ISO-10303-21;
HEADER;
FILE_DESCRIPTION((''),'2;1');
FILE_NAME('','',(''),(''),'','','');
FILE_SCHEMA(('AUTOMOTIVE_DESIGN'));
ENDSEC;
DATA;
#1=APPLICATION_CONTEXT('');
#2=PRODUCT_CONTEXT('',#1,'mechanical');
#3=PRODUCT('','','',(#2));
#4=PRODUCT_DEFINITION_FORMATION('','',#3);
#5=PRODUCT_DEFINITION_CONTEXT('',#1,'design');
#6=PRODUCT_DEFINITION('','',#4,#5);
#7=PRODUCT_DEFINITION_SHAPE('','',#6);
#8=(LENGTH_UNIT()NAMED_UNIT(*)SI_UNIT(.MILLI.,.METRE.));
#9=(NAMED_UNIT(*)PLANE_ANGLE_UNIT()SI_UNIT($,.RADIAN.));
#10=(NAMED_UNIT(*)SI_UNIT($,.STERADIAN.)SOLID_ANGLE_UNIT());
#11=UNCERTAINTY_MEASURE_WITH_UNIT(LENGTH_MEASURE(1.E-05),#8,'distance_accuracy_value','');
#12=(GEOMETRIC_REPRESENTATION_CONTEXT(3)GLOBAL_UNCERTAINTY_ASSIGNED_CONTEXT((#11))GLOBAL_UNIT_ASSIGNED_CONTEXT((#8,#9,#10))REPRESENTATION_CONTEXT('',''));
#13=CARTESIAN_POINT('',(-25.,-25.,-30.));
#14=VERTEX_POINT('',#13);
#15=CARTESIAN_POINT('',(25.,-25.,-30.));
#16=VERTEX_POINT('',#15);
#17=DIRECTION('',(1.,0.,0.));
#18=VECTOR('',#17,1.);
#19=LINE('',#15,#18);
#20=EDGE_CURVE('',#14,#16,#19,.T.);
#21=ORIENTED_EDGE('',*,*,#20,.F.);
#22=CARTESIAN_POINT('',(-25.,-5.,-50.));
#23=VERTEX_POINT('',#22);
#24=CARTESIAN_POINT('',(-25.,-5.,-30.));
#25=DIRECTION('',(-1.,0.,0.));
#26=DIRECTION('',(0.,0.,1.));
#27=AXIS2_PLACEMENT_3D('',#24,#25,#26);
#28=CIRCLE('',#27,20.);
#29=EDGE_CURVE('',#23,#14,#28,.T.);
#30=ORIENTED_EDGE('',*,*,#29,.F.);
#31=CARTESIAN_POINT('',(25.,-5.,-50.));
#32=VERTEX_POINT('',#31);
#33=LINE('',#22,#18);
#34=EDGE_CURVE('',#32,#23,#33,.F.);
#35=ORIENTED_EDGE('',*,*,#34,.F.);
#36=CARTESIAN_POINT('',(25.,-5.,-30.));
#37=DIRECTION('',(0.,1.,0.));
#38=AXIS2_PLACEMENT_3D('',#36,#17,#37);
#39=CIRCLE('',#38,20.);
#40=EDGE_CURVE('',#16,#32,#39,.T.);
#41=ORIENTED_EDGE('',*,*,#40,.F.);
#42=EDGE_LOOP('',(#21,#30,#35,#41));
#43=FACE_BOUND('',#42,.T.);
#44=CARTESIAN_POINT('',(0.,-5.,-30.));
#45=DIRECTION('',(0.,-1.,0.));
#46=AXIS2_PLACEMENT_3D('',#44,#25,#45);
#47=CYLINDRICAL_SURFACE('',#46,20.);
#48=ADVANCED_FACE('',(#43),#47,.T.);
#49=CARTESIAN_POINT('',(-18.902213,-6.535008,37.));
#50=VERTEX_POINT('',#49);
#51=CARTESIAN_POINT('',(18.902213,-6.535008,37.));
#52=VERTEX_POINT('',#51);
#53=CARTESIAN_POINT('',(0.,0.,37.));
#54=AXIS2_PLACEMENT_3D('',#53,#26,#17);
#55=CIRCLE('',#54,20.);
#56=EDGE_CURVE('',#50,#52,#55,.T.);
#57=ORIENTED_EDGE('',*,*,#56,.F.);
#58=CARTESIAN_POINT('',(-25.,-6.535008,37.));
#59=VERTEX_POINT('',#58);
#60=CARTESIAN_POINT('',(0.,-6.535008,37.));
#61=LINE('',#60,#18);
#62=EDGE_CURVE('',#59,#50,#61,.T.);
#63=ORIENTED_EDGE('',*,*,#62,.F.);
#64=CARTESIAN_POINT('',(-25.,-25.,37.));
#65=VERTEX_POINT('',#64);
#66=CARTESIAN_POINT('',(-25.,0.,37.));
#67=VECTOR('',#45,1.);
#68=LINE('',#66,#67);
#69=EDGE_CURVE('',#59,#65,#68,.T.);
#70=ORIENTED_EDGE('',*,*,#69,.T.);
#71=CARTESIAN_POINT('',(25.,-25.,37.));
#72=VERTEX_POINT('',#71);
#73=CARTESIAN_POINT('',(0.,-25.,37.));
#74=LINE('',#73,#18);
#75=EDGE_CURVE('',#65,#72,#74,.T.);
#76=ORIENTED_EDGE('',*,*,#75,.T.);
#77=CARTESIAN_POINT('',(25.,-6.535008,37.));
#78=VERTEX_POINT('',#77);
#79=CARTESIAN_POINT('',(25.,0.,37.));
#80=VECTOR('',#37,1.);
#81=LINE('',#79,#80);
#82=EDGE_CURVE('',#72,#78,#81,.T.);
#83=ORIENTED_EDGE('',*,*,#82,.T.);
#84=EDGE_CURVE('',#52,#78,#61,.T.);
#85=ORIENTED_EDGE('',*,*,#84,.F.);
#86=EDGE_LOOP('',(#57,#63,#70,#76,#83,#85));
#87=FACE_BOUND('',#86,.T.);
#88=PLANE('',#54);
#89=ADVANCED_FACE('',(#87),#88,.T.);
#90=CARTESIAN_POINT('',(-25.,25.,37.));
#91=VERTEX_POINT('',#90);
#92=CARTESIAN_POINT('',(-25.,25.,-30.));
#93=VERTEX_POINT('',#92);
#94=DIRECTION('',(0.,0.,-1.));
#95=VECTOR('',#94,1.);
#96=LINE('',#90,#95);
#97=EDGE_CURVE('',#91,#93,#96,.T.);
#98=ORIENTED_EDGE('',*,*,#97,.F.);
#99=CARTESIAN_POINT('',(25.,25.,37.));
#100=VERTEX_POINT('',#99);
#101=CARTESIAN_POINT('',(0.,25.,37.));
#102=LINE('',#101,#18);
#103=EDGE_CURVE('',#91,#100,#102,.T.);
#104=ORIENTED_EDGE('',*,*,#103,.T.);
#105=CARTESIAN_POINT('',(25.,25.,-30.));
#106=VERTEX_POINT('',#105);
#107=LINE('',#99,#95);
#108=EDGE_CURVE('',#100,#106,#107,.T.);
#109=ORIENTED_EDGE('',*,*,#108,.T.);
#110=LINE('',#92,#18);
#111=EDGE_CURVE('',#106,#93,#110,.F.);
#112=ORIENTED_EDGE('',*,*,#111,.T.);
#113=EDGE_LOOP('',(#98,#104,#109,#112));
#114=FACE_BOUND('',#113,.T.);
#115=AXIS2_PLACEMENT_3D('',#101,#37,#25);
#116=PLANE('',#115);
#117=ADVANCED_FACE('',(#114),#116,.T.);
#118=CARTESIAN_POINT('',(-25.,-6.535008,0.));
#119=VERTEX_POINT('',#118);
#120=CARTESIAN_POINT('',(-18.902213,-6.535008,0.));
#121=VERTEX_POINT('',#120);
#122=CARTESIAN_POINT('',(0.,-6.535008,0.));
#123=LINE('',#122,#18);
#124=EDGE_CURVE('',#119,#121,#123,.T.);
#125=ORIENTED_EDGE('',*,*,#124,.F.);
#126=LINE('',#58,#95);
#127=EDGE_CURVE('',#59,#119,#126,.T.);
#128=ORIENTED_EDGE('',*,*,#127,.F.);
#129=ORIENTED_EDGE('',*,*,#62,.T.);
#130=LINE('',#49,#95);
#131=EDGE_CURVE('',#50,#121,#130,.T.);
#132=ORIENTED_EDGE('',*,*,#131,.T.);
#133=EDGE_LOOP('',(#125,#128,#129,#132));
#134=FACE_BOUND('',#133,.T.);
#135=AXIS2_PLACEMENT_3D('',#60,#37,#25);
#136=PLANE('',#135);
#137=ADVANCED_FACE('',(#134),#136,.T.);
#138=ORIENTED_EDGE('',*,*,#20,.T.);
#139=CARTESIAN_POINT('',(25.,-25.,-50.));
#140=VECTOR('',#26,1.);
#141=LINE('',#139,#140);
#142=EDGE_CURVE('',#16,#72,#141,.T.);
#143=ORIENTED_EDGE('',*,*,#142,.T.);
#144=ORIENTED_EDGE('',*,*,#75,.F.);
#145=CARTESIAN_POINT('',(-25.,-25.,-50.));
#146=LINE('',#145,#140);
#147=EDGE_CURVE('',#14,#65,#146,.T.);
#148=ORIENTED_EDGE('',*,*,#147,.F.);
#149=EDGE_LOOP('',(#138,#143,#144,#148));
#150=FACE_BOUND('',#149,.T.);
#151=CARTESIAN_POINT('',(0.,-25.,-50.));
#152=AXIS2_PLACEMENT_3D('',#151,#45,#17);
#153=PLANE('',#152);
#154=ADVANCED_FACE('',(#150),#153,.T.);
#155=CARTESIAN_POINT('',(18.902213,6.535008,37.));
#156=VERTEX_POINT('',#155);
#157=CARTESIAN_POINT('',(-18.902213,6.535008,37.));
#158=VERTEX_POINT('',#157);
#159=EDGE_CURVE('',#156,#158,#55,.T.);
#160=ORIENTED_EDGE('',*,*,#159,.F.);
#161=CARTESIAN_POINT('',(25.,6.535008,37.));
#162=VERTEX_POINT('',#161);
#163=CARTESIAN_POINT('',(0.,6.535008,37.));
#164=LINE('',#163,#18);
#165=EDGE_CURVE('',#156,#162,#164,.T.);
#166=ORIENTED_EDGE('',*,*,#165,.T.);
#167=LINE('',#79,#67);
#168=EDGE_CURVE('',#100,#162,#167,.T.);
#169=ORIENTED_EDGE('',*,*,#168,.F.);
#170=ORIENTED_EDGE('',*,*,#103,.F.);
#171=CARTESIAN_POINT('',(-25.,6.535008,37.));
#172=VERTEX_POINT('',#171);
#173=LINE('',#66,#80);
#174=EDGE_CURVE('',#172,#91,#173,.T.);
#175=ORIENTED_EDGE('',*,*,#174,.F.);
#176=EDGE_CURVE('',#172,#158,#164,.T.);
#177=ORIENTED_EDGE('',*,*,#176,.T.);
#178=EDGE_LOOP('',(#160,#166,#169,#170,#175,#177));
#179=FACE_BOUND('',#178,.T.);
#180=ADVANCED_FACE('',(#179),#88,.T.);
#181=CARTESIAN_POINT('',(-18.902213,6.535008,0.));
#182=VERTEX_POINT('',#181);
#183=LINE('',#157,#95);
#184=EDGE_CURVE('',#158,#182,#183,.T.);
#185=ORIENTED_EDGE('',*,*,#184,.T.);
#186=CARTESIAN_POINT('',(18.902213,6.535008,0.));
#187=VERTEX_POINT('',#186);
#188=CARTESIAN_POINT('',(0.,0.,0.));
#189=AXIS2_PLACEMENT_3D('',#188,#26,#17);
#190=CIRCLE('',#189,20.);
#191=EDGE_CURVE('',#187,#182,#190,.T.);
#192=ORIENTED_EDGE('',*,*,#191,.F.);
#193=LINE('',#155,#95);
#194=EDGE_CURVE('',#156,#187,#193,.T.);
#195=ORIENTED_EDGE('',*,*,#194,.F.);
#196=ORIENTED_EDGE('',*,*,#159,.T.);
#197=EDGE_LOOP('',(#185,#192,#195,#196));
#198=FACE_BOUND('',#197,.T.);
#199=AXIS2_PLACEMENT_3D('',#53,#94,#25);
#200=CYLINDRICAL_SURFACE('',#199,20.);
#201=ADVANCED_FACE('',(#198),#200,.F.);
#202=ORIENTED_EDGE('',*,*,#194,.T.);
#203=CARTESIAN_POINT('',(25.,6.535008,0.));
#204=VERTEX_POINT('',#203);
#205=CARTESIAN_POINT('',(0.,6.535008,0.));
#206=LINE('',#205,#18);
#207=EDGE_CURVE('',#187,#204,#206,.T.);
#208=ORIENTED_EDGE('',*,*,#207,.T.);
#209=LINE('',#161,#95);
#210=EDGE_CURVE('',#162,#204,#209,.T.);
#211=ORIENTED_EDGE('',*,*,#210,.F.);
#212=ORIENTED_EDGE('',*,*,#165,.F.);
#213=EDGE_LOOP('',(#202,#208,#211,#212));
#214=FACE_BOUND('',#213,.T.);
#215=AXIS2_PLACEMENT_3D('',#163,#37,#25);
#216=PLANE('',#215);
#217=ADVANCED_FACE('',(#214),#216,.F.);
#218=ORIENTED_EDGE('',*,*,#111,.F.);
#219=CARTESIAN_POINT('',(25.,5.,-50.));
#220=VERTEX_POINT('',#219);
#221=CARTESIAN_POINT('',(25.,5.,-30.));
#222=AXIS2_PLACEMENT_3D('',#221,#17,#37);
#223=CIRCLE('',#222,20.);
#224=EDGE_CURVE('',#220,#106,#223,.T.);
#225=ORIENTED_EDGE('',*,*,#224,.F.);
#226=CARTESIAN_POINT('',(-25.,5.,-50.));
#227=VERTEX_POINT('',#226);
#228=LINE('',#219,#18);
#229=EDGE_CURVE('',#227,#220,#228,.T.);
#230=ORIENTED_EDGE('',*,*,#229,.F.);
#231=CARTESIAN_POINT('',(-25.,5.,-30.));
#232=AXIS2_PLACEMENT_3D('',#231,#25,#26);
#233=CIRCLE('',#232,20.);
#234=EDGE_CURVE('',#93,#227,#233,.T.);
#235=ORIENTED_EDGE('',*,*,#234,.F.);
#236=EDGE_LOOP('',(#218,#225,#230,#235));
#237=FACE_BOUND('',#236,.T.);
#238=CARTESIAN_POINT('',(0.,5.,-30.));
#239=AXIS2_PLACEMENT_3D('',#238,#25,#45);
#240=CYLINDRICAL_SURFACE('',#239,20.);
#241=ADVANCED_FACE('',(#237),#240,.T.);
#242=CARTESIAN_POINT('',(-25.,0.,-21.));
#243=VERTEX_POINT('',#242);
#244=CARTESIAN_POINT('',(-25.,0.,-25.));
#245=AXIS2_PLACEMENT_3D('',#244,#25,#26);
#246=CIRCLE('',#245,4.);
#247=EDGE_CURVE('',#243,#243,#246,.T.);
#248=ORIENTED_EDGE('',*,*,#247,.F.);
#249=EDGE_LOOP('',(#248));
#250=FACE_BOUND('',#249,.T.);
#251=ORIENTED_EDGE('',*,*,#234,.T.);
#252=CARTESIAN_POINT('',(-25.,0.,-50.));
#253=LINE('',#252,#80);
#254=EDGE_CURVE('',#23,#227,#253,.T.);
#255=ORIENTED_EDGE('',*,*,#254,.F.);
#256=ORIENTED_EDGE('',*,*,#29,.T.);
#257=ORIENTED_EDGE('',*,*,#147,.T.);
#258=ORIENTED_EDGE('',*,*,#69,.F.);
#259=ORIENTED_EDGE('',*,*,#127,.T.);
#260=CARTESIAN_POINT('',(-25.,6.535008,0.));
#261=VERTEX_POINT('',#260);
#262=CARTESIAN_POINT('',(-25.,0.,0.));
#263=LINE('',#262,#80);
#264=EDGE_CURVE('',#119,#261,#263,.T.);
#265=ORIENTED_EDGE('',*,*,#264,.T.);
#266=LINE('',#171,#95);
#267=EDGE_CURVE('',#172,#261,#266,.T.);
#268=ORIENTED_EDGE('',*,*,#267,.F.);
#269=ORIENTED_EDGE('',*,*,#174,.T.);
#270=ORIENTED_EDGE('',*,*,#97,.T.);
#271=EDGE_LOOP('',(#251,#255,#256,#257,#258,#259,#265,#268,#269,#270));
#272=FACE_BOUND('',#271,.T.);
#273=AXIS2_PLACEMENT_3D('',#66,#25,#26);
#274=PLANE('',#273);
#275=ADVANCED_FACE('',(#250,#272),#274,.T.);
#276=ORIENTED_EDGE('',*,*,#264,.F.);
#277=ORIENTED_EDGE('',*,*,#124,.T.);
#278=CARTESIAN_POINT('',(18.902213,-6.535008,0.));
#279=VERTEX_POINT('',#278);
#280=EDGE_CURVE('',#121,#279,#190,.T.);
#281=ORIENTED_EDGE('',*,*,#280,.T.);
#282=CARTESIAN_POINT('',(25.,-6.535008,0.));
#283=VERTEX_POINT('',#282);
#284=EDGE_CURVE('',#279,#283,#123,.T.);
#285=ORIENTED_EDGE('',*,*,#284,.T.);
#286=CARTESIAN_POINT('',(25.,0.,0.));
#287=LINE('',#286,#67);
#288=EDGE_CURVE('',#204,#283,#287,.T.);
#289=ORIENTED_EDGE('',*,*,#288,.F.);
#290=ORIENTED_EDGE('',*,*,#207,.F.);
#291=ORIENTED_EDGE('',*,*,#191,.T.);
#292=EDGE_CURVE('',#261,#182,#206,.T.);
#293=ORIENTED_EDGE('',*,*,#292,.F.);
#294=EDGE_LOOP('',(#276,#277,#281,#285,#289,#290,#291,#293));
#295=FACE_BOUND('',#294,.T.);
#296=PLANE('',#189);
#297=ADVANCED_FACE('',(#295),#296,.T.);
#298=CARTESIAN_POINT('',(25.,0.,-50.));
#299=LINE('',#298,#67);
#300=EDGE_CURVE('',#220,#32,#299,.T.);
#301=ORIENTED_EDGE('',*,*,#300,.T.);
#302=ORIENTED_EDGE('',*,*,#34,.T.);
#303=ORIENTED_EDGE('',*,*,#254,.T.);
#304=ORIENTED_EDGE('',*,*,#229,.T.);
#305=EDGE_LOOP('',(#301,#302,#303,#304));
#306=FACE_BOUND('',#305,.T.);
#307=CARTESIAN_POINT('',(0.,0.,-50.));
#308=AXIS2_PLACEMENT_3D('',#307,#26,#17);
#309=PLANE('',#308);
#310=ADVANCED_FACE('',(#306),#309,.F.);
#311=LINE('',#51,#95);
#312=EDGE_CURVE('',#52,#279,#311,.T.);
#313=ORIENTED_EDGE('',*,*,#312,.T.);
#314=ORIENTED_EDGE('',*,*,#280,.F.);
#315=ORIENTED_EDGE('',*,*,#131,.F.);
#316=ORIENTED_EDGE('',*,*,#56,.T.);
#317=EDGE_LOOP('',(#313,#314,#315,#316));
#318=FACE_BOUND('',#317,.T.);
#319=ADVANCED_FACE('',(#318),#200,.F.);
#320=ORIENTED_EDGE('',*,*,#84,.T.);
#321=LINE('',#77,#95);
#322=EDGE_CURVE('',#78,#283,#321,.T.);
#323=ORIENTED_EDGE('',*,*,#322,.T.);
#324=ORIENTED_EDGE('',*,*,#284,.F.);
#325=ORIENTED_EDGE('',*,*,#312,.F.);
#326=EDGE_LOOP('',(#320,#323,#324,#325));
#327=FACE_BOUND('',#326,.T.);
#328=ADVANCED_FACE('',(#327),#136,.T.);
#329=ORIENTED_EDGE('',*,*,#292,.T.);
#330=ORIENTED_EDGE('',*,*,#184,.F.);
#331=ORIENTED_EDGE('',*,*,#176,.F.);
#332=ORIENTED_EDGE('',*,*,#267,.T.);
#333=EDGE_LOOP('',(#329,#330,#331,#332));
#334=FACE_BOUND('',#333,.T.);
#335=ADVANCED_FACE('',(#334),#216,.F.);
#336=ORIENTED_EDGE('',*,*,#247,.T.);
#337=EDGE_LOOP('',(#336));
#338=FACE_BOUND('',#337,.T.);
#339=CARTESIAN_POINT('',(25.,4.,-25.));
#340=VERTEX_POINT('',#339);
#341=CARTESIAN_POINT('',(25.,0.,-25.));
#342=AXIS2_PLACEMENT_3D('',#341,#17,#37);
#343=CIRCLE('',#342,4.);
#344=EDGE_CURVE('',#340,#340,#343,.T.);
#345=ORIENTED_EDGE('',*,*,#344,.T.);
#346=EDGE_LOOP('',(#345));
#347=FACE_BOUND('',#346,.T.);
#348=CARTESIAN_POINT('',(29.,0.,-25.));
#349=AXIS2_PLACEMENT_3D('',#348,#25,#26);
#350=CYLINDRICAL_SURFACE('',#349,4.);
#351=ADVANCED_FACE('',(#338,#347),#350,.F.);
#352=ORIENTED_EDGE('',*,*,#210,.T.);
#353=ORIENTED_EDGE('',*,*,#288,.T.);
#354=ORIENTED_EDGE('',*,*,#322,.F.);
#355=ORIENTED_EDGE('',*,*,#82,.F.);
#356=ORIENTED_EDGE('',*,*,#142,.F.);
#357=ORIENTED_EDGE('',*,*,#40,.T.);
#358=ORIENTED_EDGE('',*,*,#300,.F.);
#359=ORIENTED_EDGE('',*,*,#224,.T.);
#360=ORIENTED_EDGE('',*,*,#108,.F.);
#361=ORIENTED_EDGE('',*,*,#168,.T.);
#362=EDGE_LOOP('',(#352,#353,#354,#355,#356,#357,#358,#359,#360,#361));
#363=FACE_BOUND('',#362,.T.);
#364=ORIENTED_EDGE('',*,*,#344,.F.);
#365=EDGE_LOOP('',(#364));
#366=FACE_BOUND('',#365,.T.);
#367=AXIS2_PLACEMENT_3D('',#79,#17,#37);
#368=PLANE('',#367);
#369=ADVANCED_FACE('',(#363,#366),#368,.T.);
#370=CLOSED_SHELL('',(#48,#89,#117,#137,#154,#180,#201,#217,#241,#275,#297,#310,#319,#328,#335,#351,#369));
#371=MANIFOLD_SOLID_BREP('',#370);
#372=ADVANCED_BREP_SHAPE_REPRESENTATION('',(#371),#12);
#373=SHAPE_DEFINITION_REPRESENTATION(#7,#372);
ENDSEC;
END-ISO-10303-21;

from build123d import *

# Parameters (mm, degrees)
EXTRUDE_1_DEPTH     = 37
EXTRUDE_1_2_DEPTH   = 37
SKETCH_1_4_W        = 50
SKETCH_1_4_H        = 50
EXTRUDE_2_DEPTH     = 50
SKETCH_3_R          = 4
CUT_EXTRUDE_1_DEPTH = 54
FILLET_1_R          = 20


with BuildPart() as part:
    # 스케치1 → 보스-돌출1 (new body)
    with BuildSketch(Plane.XY):
        with BuildLine():
            Line((-25, 25), (-25, 6.535008171))
            Line((-25, 6.535008171), (-18.902213315, 6.535008171))
            ThreePointArc((-18.902213315, 6.535008171), (0, 20), (18.902213315, 6.535008171))
            Line((18.902213315, 6.535008171), (25, 6.535008171))
            Line((25, 6.535008171), (25, 25))
            Line((25, 25), (-25, 25))
        make_face()
    extrude(amount=EXTRUDE_1_DEPTH)



with BuildPart() as body_2:
    # 스케치1 → Extrude 1 2 (new body)
    with BuildSketch(Plane.XY):
        with BuildLine():
            Line((-18.902213315, -6.535008171), (-25, -6.535008171))
            Line((-25, -6.535008171), (-25, -25))
            Line((-25, -25), (25, -25))
            Line((25, -25), (25, -6.535008171))
            Line((25, -6.535008171), (18.902213315, -6.535008171))
            ThreePointArc((18.902213315, -6.535008171), (0, -20), (-18.902213315, -6.535008171))
        make_face()
    extrude(amount=EXTRUDE_1_2_DEPTH)


with BuildPart() as part_1:
    add(part.part)

    add(body_2.part)  # 보스-돌출2 merges body 2
    # 스케치1<4> → 보스-돌출2 (add)
    with BuildSketch(Plane.XY):
        Rectangle(SKETCH_1_4_W, SKETCH_1_4_H)
    extrude(amount=-EXTRUDE_2_DEPTH)

    # 스케치3 → 컷-돌출1 (cut)
    with BuildSketch(Plane.ZY.offset(25)):
        with Locations((-25, 0)):
            Circle(SKETCH_3_R)
    extrude(amount=-CUT_EXTRUDE_1_DEPTH, mode=Mode.SUBTRACT)

    # 필렛1
    fillet_1_edges = [part_1.edges().sort_by_distance(p)[0] for p in [
        (0, -25, -50),
        (0, 25, -50),
    ]]
    fillet(fillet_1_edges, radius=FILLET_1_R)


solid = part_1.part
